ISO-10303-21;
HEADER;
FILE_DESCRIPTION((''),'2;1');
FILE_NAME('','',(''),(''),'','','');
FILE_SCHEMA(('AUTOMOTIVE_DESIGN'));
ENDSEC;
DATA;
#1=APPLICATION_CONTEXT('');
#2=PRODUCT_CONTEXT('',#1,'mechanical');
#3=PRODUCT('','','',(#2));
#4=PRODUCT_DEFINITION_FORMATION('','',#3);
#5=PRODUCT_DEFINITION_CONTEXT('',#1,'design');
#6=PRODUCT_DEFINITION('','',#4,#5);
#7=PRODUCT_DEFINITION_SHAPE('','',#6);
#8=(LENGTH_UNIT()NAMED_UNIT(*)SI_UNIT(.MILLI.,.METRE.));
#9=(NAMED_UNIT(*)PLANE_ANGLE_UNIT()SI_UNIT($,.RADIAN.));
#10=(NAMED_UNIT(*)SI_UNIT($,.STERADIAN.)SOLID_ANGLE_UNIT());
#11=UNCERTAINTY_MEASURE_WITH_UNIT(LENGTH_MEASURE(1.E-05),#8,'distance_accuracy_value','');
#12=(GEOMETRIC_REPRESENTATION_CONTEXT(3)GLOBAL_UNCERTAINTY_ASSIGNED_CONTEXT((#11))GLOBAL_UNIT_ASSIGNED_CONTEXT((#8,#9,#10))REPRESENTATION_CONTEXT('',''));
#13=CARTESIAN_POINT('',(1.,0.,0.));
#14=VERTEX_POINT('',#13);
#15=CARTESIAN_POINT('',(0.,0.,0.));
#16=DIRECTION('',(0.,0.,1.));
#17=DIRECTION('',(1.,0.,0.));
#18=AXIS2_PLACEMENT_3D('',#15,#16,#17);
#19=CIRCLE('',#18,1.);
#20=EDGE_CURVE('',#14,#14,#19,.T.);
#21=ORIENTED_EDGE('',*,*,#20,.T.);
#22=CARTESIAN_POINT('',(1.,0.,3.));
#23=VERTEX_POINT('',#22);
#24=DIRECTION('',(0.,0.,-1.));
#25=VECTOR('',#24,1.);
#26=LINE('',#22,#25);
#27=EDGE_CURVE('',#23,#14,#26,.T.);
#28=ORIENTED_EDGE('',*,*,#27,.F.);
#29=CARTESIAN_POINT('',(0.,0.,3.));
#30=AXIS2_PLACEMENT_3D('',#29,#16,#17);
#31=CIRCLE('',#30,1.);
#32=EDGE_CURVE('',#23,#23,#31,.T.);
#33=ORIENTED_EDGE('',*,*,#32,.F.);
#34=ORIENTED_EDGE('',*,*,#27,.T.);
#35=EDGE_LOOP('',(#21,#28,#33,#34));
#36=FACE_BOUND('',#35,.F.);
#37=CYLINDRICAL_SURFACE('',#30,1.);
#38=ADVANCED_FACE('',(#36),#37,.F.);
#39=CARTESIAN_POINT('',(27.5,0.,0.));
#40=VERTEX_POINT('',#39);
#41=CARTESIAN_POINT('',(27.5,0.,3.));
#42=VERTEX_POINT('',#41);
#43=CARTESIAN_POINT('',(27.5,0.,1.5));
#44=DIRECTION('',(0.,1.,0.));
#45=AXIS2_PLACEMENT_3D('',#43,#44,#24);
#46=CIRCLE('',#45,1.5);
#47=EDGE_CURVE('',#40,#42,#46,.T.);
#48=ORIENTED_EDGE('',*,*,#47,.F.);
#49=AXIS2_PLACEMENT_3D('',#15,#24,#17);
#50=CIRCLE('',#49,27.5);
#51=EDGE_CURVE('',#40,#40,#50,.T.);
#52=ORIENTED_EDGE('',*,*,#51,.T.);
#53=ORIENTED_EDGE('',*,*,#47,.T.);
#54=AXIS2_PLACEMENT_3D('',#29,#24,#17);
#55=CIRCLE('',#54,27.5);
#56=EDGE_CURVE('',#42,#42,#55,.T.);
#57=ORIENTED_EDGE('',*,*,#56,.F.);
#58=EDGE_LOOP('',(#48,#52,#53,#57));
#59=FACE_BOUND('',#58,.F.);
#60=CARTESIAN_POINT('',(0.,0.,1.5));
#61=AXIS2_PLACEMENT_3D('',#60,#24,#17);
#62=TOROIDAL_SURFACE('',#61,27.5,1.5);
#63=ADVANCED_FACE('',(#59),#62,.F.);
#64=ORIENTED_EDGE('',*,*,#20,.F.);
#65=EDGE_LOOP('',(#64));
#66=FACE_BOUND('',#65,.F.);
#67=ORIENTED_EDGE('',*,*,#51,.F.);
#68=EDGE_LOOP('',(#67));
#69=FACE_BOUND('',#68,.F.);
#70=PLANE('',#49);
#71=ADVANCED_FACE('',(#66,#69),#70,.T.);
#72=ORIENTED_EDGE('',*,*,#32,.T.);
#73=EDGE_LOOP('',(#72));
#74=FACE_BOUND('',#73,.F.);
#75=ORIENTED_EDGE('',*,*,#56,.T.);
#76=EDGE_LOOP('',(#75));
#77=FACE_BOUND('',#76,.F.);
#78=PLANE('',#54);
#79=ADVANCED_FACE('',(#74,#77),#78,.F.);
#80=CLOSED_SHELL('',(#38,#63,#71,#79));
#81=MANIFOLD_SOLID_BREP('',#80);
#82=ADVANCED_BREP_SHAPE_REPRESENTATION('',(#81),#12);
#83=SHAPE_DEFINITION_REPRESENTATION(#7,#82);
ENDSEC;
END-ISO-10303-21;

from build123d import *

# Parameters (mm, degrees)
F2_R     = 1
F3_DEPTH = 3


with BuildPart() as f1:
    # F0 (on Front) → F1 (revolve)
    with BuildSketch(Plane.XZ):
        with BuildLine():
            Line((0, 3), (0, 0))
            Line((0, 0), (27.5, 0))
            ThreePointArc((27.5, 0), (26, 1.5), (27.5, 3))
            Line((27.5, 3), (0, 3))
        make_face()
    revolve(axis=Axis((0, 0, -3.828675), (0, 0, -1)))

    # F2 (on face) → F3 (cut)
    with BuildSketch(Plane.XY.offset(3)):
        Circle(F2_R)
    extrude(amount=-F3_DEPTH, mode=Mode.SUBTRACT)


solid = f1.part
